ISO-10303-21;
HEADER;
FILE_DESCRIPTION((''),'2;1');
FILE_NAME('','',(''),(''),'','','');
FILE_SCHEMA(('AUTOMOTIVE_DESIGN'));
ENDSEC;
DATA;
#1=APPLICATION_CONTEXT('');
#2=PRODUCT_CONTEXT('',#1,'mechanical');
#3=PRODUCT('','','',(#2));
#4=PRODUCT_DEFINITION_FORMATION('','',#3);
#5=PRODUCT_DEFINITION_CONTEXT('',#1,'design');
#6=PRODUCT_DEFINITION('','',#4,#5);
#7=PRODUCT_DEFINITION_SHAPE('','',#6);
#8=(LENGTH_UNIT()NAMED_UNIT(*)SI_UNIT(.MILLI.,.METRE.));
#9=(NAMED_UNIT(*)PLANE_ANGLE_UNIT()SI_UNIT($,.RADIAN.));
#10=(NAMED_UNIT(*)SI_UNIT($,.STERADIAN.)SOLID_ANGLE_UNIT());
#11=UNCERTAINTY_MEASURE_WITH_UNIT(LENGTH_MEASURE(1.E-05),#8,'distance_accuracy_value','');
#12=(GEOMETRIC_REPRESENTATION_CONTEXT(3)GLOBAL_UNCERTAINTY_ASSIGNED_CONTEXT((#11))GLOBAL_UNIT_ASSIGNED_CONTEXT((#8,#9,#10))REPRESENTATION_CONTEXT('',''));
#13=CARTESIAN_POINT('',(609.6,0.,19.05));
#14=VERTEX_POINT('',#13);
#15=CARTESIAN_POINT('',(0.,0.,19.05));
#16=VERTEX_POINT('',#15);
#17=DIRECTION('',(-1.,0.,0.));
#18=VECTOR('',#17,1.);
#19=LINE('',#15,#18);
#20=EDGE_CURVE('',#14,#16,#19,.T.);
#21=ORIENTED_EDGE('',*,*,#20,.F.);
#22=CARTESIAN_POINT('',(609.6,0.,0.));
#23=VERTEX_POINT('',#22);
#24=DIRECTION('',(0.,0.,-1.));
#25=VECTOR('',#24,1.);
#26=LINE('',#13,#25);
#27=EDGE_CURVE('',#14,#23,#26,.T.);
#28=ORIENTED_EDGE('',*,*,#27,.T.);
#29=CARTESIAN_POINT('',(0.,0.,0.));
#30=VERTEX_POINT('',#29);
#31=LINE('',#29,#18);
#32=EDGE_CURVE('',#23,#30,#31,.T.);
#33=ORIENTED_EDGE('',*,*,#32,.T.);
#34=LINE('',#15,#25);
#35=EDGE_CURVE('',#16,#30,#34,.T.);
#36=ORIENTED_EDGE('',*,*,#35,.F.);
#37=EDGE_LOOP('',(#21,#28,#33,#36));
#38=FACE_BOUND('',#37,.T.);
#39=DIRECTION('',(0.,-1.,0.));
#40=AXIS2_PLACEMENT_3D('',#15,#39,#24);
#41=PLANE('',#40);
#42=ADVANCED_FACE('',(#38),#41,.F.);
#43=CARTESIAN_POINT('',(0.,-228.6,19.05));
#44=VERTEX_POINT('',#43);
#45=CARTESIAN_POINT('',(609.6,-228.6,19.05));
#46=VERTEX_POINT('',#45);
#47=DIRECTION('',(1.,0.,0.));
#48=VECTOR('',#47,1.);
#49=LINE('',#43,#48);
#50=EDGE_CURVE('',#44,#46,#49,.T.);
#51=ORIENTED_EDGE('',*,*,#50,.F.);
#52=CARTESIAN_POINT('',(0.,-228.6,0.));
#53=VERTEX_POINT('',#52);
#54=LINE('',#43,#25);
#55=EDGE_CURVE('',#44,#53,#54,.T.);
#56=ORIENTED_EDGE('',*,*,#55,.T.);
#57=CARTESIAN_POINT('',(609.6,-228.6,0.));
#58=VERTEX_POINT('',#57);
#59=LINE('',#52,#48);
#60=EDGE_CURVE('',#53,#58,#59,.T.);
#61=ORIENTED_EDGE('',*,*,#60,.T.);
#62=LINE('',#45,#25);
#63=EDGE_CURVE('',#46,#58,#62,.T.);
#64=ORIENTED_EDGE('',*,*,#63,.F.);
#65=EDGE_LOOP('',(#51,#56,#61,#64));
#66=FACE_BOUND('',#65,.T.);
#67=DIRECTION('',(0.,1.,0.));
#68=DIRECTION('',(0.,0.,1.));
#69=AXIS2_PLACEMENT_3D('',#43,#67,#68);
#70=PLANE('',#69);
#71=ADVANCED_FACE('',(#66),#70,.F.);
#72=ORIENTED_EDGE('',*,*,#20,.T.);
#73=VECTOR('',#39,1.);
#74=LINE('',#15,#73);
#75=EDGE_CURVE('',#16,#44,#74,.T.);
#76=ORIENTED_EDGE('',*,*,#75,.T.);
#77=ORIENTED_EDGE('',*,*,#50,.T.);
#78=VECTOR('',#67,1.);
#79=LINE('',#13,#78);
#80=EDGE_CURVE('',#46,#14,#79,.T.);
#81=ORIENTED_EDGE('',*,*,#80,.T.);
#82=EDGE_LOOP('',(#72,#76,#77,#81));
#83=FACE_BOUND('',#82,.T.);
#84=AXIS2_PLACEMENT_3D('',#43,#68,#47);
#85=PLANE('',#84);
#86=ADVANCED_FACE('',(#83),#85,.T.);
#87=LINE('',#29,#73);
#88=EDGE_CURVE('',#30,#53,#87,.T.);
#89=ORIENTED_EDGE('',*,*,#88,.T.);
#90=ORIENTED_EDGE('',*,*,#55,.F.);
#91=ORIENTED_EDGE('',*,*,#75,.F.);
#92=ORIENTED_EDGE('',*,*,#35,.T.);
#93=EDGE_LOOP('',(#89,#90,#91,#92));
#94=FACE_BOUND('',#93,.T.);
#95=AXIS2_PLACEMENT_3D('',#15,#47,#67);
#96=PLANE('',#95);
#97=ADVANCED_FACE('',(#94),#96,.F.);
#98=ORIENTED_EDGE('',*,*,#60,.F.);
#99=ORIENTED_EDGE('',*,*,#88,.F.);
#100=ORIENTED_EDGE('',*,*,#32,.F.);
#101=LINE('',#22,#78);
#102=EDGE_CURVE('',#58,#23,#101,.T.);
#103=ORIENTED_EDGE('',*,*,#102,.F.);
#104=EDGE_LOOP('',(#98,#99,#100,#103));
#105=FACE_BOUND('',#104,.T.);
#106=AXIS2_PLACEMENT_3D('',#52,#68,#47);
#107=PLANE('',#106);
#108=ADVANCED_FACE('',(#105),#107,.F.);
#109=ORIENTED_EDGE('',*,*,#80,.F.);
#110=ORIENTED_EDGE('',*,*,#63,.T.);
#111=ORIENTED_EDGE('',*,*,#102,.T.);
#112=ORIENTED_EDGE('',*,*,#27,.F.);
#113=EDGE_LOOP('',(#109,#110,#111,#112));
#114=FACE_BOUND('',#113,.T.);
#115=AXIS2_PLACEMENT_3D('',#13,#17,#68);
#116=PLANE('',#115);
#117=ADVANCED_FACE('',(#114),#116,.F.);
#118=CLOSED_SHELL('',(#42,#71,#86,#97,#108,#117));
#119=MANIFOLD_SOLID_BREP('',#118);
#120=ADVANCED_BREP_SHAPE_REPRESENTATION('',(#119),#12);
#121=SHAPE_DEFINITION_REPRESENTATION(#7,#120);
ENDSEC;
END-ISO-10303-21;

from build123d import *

# Parameters (mm, degrees)
SKETCH1_W           = 609.6
SKETCH1_H           = 228.6
BOSS_EXTRUDE1_DEPTH = 19.05


with BuildPart() as part:
    # Sketch1 → Boss-Extrude1 (new body)
    with BuildSketch(Plane.XY):
        with Locations((304.8, -114.3)):
            Rectangle(SKETCH1_W, SKETCH1_H)
    extrude(amount=BOSS_EXTRUDE1_DEPTH)


solid = part.part
